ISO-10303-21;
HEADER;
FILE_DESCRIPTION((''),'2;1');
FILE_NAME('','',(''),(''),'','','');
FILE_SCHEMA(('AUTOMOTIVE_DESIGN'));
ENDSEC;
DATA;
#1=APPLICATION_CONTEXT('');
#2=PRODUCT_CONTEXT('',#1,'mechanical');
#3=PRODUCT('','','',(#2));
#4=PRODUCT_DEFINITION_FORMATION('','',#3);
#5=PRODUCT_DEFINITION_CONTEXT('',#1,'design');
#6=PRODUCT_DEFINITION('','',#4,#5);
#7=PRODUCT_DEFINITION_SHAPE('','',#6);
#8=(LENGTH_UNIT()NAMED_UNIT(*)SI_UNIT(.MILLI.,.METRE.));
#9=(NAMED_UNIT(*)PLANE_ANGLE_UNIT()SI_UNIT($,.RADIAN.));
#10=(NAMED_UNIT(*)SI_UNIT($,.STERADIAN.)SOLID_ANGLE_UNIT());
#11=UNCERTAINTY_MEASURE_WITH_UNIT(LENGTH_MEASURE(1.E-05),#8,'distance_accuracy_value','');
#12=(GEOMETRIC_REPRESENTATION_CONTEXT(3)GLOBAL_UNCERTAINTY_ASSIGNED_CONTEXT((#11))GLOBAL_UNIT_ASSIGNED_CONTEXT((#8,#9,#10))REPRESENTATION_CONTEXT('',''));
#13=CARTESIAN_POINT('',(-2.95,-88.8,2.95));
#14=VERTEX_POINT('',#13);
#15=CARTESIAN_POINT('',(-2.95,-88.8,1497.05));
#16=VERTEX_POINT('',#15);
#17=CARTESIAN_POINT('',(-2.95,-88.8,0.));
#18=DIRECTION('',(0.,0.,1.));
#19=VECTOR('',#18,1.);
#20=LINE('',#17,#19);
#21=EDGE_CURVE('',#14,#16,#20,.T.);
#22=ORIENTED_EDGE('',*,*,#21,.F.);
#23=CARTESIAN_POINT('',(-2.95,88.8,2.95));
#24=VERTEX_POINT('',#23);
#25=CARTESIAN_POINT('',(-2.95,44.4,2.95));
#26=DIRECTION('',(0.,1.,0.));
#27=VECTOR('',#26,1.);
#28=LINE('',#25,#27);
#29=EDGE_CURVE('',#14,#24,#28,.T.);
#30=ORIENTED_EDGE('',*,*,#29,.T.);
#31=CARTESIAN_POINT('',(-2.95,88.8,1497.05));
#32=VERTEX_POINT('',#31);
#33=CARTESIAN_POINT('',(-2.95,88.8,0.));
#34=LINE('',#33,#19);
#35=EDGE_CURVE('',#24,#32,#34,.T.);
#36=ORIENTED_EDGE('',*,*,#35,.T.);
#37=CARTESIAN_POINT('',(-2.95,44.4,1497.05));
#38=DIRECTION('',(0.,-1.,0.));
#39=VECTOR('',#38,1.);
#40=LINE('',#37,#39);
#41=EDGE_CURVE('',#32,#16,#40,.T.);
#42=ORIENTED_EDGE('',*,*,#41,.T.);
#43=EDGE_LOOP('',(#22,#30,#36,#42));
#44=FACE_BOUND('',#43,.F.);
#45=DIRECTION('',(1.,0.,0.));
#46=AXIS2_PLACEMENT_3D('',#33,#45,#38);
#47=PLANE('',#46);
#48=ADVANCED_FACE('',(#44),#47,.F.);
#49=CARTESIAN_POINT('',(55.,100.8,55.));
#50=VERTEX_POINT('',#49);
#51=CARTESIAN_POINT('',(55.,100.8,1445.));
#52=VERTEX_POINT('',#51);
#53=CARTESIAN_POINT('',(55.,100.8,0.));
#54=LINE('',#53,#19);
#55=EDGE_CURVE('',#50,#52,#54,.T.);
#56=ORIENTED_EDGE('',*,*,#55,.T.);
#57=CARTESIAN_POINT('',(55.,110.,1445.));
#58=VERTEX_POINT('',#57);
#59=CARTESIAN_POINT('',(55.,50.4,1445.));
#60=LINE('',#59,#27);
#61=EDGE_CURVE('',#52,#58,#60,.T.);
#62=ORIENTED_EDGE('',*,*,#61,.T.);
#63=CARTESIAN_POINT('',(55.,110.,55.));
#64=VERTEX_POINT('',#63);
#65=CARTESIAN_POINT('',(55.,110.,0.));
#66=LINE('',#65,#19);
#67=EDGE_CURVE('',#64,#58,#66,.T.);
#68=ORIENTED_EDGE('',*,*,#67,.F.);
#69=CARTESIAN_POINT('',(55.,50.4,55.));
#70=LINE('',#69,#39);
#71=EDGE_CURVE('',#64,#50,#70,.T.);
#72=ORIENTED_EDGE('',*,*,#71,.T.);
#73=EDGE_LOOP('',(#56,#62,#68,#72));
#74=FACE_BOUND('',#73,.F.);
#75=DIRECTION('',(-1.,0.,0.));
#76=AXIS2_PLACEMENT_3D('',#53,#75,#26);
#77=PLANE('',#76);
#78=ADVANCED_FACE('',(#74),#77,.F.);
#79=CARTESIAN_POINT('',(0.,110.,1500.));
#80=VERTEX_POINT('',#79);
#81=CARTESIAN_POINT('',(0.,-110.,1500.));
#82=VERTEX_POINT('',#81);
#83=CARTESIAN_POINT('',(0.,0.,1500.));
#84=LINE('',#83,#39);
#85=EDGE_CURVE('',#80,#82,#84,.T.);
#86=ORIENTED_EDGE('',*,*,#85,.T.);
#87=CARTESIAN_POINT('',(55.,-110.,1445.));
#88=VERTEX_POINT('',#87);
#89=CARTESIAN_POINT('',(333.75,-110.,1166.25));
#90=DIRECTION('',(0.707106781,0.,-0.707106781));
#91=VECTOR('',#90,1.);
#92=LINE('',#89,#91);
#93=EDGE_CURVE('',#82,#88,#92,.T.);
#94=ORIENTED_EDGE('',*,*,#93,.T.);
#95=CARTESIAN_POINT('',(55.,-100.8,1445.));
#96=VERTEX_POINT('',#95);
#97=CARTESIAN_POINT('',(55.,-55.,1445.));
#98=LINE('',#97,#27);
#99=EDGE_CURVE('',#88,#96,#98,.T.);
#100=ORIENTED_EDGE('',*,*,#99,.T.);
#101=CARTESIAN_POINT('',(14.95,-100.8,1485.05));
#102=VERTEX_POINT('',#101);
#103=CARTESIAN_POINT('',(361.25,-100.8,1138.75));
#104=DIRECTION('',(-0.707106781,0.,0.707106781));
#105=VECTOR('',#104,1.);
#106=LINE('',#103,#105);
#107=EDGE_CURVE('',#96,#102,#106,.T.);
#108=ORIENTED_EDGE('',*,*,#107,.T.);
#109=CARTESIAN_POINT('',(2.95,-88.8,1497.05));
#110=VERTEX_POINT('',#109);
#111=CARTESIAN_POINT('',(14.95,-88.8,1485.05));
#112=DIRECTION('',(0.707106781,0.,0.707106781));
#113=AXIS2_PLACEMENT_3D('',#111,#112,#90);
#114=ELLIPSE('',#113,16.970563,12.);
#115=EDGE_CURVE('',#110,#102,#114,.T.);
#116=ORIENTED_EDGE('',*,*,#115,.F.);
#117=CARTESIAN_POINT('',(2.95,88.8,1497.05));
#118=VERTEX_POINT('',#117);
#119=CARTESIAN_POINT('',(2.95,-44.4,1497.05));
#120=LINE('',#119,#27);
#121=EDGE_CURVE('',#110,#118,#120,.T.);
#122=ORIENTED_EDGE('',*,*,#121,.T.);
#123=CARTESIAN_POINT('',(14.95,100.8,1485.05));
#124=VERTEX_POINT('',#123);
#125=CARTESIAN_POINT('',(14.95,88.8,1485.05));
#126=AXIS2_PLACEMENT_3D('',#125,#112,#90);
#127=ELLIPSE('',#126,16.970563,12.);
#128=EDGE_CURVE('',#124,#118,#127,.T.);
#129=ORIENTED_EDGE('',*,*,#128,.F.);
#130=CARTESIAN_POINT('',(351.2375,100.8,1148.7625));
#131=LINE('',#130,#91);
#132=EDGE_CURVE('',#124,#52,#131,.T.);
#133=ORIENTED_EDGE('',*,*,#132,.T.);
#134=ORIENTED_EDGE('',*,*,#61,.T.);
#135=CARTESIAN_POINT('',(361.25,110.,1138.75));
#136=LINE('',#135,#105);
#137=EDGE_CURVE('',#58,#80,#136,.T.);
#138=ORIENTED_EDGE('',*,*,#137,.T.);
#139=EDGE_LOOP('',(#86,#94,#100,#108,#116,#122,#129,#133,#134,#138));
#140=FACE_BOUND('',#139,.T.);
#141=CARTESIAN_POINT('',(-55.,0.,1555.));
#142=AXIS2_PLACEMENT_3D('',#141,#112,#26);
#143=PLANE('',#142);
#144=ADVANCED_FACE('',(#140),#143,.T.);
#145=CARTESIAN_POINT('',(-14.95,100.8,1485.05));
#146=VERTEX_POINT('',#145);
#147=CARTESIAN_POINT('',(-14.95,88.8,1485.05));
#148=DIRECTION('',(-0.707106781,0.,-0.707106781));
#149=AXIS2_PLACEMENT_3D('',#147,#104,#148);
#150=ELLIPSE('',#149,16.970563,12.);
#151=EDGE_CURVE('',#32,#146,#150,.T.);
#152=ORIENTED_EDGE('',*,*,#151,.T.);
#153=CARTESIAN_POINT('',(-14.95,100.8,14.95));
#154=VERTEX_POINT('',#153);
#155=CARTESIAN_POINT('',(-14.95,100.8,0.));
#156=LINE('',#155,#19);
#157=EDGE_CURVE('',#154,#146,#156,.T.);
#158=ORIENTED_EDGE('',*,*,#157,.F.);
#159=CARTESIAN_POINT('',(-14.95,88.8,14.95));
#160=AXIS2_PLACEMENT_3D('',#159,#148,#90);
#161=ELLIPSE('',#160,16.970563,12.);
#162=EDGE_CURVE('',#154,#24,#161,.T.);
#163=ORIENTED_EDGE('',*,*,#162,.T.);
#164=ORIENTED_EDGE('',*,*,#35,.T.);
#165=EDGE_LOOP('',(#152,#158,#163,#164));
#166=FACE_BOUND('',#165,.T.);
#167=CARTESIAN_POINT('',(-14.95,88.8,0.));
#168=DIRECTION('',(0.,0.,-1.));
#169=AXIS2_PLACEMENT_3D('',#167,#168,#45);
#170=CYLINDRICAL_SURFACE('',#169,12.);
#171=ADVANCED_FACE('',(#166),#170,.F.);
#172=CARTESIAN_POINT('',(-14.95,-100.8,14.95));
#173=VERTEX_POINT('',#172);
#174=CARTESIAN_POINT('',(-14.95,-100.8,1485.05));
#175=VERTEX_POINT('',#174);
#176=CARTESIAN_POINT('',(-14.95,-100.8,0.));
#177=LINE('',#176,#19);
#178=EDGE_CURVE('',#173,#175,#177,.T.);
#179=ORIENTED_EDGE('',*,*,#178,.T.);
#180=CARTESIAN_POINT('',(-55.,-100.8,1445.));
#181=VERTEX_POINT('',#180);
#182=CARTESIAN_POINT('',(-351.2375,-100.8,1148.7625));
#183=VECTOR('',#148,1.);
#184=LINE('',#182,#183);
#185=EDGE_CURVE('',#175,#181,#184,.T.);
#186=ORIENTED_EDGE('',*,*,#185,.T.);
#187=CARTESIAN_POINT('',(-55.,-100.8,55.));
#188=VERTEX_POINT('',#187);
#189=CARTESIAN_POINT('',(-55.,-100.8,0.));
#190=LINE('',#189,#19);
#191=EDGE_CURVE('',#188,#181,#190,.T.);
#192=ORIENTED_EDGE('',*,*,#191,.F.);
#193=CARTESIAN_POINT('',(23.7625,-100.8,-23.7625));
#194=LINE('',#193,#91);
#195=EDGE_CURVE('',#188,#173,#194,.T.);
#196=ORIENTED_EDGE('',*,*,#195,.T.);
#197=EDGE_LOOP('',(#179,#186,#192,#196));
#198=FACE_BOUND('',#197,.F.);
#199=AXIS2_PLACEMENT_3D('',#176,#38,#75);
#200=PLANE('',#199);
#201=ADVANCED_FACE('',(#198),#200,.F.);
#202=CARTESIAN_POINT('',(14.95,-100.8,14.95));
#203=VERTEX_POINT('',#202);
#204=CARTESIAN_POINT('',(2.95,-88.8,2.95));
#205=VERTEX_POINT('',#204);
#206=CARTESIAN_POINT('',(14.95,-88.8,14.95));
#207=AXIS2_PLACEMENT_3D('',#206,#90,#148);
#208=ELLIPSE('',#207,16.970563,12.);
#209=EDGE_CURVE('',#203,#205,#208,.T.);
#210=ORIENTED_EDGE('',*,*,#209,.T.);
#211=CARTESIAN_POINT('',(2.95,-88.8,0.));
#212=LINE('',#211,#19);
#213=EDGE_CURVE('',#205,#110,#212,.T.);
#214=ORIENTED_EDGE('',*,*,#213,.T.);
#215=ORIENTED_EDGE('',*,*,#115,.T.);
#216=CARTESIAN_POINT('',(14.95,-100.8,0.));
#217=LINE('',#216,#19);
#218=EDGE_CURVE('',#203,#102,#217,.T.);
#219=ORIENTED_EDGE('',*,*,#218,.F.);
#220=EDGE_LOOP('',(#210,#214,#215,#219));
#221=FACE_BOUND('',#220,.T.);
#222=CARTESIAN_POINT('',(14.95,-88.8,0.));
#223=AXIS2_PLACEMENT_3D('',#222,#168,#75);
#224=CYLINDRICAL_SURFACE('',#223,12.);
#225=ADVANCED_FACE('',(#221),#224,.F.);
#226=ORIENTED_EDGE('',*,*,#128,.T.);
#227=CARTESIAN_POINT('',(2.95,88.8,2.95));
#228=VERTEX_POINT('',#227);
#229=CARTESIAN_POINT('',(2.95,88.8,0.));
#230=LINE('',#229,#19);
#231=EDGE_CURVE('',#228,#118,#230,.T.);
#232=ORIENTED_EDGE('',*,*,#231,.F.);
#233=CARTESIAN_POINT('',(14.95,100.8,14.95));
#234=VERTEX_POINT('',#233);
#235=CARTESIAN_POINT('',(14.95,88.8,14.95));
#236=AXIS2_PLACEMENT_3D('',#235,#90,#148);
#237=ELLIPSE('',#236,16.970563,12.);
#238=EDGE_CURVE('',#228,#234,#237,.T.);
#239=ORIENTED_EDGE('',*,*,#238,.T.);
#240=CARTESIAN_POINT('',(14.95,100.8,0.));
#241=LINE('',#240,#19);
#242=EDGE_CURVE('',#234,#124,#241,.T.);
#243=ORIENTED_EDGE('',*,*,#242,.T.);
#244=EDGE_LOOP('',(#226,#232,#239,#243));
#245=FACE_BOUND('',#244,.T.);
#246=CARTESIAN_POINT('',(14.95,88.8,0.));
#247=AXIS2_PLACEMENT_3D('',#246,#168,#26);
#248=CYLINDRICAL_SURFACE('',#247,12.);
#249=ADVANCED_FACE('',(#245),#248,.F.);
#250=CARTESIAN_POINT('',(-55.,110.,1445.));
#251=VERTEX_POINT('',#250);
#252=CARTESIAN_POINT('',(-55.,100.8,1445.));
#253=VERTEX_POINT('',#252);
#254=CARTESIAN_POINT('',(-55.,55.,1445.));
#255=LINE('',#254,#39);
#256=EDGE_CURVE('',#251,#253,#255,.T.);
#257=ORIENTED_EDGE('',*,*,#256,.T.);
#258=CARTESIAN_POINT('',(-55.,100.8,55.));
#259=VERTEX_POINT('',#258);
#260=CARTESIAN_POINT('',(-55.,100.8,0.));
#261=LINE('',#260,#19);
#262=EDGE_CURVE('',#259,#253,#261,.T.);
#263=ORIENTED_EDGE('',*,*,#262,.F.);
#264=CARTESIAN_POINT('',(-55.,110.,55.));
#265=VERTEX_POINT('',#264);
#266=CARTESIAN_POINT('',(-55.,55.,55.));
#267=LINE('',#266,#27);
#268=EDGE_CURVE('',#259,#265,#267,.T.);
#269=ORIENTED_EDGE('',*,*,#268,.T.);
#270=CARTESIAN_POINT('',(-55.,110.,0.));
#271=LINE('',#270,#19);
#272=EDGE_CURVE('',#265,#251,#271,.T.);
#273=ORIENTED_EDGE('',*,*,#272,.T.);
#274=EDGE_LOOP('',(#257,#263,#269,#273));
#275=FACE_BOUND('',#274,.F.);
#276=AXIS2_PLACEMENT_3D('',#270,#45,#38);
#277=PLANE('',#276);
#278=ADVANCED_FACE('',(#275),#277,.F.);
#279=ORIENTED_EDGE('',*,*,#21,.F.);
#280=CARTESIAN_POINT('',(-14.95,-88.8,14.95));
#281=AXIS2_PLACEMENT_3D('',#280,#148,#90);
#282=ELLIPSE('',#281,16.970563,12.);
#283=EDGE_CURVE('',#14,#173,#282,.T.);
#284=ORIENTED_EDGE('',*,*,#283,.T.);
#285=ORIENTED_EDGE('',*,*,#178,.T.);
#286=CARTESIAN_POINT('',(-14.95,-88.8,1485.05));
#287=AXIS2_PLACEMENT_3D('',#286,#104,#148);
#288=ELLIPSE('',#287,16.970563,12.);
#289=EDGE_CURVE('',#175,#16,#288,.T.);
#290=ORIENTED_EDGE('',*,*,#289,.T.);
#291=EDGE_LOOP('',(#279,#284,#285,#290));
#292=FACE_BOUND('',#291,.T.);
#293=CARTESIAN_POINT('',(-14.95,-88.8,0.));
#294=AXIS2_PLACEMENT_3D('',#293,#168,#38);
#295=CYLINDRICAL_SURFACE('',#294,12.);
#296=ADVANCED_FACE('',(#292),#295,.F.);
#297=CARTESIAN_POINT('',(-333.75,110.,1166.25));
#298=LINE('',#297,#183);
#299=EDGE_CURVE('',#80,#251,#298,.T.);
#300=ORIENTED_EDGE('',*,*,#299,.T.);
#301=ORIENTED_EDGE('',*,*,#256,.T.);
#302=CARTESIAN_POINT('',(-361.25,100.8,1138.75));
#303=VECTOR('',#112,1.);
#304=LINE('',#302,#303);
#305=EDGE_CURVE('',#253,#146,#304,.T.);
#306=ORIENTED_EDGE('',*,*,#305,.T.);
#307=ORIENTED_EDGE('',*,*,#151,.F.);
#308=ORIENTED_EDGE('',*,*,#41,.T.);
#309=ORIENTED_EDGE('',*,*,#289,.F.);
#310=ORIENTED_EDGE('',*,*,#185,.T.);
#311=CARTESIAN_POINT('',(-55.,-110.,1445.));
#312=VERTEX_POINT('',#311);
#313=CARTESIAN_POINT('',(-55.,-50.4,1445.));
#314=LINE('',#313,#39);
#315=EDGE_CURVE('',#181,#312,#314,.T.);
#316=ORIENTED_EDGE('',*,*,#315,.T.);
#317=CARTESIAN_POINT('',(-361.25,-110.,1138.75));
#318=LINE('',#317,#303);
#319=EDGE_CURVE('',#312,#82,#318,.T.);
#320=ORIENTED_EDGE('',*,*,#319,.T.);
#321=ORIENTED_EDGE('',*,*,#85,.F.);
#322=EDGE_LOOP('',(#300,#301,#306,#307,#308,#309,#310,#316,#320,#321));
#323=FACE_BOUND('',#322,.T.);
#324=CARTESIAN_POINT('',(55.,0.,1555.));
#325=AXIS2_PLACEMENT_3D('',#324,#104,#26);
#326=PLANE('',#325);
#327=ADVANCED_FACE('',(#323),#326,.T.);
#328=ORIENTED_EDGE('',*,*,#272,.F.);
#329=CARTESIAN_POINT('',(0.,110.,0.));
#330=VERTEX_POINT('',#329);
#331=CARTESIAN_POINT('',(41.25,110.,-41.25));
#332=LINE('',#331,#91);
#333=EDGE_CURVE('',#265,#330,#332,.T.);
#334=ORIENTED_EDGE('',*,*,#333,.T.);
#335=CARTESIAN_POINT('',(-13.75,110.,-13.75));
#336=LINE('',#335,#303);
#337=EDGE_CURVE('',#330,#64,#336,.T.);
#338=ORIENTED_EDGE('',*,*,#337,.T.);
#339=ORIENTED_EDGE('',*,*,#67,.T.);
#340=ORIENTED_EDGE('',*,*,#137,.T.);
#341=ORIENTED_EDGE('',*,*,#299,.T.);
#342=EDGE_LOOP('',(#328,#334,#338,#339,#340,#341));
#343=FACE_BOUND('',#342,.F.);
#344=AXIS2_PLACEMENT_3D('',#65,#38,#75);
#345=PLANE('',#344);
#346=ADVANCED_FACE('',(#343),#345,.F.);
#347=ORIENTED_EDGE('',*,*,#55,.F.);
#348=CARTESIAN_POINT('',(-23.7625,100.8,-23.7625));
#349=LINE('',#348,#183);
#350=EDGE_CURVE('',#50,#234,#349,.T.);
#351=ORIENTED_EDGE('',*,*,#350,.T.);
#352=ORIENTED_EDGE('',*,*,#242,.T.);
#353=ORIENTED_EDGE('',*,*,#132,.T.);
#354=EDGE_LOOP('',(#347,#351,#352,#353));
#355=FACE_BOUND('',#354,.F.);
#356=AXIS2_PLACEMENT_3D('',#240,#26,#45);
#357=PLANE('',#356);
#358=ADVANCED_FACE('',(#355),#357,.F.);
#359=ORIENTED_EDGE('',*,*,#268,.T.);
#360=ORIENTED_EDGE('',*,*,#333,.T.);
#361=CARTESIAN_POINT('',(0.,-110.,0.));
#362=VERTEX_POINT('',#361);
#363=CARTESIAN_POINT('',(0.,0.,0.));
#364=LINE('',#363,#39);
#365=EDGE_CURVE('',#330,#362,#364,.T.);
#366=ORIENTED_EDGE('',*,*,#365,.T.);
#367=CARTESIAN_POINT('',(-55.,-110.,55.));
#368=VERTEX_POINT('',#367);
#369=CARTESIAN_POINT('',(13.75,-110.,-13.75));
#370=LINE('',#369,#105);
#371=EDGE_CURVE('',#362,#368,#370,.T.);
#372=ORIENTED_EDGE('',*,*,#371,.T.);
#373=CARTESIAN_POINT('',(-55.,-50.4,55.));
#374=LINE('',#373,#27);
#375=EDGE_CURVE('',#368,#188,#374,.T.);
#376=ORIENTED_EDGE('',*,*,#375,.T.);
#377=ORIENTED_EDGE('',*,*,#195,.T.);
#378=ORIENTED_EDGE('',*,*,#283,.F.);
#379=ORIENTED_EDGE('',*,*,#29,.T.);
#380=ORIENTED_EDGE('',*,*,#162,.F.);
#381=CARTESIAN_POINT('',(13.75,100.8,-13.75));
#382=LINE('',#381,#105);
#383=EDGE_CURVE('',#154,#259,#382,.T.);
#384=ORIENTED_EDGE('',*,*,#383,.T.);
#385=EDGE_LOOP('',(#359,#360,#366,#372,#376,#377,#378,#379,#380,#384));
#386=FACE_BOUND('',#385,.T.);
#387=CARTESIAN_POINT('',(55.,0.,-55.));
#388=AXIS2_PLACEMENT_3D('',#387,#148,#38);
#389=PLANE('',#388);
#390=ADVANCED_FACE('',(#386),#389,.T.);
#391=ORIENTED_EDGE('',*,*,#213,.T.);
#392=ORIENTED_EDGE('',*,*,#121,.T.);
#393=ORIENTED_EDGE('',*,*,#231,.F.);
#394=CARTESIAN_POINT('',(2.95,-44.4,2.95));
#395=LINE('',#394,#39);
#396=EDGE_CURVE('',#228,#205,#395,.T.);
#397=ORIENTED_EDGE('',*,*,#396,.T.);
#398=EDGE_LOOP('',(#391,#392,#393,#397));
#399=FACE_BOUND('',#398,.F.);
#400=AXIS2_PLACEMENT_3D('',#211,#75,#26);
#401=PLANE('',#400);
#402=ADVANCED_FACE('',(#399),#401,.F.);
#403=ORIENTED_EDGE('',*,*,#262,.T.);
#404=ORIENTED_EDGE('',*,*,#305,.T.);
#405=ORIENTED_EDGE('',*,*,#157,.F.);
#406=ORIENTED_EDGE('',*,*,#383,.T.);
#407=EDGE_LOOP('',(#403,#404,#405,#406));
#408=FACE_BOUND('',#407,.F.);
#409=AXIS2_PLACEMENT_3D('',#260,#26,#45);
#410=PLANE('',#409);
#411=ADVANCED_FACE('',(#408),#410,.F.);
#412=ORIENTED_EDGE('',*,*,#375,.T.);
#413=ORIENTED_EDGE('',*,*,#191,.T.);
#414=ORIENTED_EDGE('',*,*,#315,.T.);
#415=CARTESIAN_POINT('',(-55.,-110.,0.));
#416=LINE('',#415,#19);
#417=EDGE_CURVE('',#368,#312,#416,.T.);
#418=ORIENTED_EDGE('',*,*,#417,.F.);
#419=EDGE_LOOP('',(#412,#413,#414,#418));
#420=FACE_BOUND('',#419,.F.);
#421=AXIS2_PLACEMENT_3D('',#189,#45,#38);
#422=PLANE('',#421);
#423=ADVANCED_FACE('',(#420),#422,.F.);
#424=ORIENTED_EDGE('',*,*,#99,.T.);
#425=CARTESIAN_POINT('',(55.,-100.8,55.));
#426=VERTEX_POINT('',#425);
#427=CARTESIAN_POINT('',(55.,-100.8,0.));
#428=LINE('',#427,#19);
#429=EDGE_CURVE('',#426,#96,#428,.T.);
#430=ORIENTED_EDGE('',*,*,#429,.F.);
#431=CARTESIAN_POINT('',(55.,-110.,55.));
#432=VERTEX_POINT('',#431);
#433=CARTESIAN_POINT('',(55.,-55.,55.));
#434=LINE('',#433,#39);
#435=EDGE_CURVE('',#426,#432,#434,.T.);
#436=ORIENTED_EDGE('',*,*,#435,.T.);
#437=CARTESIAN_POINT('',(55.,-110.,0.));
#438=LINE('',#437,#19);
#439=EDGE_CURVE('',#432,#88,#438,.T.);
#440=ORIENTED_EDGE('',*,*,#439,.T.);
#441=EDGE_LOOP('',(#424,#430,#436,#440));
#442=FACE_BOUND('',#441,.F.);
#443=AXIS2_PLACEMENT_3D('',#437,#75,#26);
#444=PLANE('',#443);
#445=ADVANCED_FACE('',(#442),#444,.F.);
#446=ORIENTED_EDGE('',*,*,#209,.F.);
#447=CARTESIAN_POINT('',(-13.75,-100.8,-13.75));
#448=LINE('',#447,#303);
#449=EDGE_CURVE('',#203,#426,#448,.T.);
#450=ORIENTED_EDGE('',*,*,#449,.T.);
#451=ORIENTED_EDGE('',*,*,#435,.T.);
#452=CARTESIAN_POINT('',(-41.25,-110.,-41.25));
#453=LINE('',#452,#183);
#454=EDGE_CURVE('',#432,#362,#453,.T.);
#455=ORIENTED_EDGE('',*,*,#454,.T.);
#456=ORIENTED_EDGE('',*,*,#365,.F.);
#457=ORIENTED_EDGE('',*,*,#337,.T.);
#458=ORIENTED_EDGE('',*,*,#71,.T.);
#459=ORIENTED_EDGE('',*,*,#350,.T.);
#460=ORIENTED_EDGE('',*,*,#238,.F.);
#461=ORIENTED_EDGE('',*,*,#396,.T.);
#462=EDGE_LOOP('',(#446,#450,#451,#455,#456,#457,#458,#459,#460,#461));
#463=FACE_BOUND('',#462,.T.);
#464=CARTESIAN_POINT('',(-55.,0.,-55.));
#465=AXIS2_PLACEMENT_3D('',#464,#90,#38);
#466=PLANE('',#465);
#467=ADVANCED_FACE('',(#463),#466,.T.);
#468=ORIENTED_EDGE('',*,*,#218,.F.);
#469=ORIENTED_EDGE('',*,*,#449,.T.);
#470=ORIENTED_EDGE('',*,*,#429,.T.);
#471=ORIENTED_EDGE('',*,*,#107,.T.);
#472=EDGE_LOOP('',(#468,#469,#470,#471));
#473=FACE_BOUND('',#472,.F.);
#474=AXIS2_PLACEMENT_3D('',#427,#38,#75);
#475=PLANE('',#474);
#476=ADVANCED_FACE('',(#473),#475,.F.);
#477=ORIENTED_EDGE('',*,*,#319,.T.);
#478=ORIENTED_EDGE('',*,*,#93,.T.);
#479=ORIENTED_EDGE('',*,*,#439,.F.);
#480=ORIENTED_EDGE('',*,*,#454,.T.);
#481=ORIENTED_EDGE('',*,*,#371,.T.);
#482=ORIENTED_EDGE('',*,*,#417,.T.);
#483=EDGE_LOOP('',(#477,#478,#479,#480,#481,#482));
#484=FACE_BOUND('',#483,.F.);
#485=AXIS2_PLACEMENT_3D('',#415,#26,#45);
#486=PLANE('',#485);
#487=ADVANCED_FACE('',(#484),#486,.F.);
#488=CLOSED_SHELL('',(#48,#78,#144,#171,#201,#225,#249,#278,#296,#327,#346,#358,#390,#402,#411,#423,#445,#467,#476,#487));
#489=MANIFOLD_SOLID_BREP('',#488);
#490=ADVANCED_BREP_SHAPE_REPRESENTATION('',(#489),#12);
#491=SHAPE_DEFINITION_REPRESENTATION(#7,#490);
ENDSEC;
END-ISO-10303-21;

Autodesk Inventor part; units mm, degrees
ref_plane "Start plane" through (0, 0, 0) normal (0, 0, 1) x (1, 0, 0)
ref_plane "End plane" through (0, 0, 1500) normal (0, 0, 1) x (1, 0, 0)
sketch "Sketch2" plane through (0, 0, 0) normal (0, 0, 1) x (1, 0, 0)
  line L0 (-55, 100.8) -> (-14.95, 100.8)
  line L1 (-55, 110) -> (-55, 100.8)
  line L2 (55, 110) -> (-55, 110)
  line L3 (55, 100.8) -> (55, 110)
  line L4 (14.95, 100.8) -> (55, 100.8)
  line L5 (2.95, -88.8) -> (2.95, 88.8)
  line L6 (55, -100.8) -> (14.95, -100.8)
  line L7 (55, -110) -> (55, -100.8)
  line L8 (-55, -100.8) -> (-55, -110)
  line L9 (-14.95, -100.8) -> (-55, -100.8)
  line L10 (-2.95, 88.8) -> (-2.95, -88.8)
  line L11 (0, -154) -> (0, 154) construction
  line L12 (-2.95, -100.8) -> (2.95, -100.8) construction
  arc A0 (-14.95, -100.8) -> (-2.95, -88.8) centre (-14.95, -88.8) ccw
  arc A1 (-2.95, 88.8) -> (-14.95, 100.8) centre (-14.95, 88.8) ccw
  arc A2 (14.95, 100.8) -> (2.95, 88.8) centre (14.95, 88.8) ccw
  arc A3 (2.95, -88.8) -> (14.95, -100.8) centre (14.95, -88.8) ccw
  line L13 (-77, 0) -> (77, 0) construction
  line L14 (-55, -110) -> (55, -110)
  point P0 (-2.95, 100.8)
  point P1 (2.95, 100.8)
  point P2 (0, 0)
  point P3 (0, -100.8)
  point P4 (0, 0)
  dimension "d1" = 220
  dimension "d3" = 9.2
  dimension "d5" = 5.9
  dimension "d7" = 110
  dimension "d13" = 12
  dimension "d14" = 110
  dimension "d15" = 55
extrude "Body" add sketch "Sketch2" along normal up to surface (1500 mm away) from surface at 0
sketch "Sketch3" plane through (0, 0, 0) normal (0, 0, 1) x (1, 0, 0)
  line L0 (0, 0) -> (10, 0)
ref_plane "Work Plane3" through (0, 0, 0) normal (0, -1, 0) x (1, 0, 0)
ref_plane "Work Plane4" through (55, 0, 1555) normal (-0.7071, 0, 0.7071) x (0.7071, 0, 0.7071)
split "Split1" plane through (55, 0, 1555) removes the side toward (-0.7071, 0, 0.7071)
ref_plane "Work Plane5" through (55, 0, -55) normal (-0.7071, 0, -0.7071) x (-0.7071, 0, 0.7071)
split "Split2" plane through (55, 0, -55) removes the side toward (-0.7071, 0, -0.7071)
ref_plane "Work Plane6" through (-55, 0, 1555) normal (0.7071, 0, 0.7071) x (0.7071, 0, -0.7071)
split "Split3" plane through (-55, 0, 1555) removes the side toward (0.7071, 0, 0.7071)
ref_plane "Work Plane7" through (-55, 0, -55) normal (0.7071, 0, -0.7071) x (-0.7071, 0, -0.7071)
split "Split4" plane through (-55, 0, -55) removes the side toward (0.7071, 0, -0.7071)
sketch "Sketch4" plane through (0, 0, 0) normal (0, -1, 0) x (1, 0, 0)
  line L0 (-2, 0) -> (12, 0) projected
  line L1 (-2, 1500) -> (12, 1500) projected
  dimension "d19" = 1500
equation "\"d1\" = ParH"
equation "\"d3\" = t2"
equation "\"d5\" = t1"
equation "\"d7\" = b"
equation "\"d13\" = R1"
equation "\"d14\" = 0.5 * d1"
equation "\"d15\" = 0.5 * d7"
equation "\"d8\" = G_L"
equation "\"b\" = 110"
equation "\"ParH\" = 220"
equation "\"R1\" = 12"
equation "\"G_L\" = d19"
equation "\"t1\" = 5.9"
equation "\"t2\" = 9.2"
equation "\"G_OFFSET_START\" = 0"
equation "\"G_OFFSET_END\" = 0"
properties part number "DIN 1025 - IPE 220-1500" material "Steel, Mild"
